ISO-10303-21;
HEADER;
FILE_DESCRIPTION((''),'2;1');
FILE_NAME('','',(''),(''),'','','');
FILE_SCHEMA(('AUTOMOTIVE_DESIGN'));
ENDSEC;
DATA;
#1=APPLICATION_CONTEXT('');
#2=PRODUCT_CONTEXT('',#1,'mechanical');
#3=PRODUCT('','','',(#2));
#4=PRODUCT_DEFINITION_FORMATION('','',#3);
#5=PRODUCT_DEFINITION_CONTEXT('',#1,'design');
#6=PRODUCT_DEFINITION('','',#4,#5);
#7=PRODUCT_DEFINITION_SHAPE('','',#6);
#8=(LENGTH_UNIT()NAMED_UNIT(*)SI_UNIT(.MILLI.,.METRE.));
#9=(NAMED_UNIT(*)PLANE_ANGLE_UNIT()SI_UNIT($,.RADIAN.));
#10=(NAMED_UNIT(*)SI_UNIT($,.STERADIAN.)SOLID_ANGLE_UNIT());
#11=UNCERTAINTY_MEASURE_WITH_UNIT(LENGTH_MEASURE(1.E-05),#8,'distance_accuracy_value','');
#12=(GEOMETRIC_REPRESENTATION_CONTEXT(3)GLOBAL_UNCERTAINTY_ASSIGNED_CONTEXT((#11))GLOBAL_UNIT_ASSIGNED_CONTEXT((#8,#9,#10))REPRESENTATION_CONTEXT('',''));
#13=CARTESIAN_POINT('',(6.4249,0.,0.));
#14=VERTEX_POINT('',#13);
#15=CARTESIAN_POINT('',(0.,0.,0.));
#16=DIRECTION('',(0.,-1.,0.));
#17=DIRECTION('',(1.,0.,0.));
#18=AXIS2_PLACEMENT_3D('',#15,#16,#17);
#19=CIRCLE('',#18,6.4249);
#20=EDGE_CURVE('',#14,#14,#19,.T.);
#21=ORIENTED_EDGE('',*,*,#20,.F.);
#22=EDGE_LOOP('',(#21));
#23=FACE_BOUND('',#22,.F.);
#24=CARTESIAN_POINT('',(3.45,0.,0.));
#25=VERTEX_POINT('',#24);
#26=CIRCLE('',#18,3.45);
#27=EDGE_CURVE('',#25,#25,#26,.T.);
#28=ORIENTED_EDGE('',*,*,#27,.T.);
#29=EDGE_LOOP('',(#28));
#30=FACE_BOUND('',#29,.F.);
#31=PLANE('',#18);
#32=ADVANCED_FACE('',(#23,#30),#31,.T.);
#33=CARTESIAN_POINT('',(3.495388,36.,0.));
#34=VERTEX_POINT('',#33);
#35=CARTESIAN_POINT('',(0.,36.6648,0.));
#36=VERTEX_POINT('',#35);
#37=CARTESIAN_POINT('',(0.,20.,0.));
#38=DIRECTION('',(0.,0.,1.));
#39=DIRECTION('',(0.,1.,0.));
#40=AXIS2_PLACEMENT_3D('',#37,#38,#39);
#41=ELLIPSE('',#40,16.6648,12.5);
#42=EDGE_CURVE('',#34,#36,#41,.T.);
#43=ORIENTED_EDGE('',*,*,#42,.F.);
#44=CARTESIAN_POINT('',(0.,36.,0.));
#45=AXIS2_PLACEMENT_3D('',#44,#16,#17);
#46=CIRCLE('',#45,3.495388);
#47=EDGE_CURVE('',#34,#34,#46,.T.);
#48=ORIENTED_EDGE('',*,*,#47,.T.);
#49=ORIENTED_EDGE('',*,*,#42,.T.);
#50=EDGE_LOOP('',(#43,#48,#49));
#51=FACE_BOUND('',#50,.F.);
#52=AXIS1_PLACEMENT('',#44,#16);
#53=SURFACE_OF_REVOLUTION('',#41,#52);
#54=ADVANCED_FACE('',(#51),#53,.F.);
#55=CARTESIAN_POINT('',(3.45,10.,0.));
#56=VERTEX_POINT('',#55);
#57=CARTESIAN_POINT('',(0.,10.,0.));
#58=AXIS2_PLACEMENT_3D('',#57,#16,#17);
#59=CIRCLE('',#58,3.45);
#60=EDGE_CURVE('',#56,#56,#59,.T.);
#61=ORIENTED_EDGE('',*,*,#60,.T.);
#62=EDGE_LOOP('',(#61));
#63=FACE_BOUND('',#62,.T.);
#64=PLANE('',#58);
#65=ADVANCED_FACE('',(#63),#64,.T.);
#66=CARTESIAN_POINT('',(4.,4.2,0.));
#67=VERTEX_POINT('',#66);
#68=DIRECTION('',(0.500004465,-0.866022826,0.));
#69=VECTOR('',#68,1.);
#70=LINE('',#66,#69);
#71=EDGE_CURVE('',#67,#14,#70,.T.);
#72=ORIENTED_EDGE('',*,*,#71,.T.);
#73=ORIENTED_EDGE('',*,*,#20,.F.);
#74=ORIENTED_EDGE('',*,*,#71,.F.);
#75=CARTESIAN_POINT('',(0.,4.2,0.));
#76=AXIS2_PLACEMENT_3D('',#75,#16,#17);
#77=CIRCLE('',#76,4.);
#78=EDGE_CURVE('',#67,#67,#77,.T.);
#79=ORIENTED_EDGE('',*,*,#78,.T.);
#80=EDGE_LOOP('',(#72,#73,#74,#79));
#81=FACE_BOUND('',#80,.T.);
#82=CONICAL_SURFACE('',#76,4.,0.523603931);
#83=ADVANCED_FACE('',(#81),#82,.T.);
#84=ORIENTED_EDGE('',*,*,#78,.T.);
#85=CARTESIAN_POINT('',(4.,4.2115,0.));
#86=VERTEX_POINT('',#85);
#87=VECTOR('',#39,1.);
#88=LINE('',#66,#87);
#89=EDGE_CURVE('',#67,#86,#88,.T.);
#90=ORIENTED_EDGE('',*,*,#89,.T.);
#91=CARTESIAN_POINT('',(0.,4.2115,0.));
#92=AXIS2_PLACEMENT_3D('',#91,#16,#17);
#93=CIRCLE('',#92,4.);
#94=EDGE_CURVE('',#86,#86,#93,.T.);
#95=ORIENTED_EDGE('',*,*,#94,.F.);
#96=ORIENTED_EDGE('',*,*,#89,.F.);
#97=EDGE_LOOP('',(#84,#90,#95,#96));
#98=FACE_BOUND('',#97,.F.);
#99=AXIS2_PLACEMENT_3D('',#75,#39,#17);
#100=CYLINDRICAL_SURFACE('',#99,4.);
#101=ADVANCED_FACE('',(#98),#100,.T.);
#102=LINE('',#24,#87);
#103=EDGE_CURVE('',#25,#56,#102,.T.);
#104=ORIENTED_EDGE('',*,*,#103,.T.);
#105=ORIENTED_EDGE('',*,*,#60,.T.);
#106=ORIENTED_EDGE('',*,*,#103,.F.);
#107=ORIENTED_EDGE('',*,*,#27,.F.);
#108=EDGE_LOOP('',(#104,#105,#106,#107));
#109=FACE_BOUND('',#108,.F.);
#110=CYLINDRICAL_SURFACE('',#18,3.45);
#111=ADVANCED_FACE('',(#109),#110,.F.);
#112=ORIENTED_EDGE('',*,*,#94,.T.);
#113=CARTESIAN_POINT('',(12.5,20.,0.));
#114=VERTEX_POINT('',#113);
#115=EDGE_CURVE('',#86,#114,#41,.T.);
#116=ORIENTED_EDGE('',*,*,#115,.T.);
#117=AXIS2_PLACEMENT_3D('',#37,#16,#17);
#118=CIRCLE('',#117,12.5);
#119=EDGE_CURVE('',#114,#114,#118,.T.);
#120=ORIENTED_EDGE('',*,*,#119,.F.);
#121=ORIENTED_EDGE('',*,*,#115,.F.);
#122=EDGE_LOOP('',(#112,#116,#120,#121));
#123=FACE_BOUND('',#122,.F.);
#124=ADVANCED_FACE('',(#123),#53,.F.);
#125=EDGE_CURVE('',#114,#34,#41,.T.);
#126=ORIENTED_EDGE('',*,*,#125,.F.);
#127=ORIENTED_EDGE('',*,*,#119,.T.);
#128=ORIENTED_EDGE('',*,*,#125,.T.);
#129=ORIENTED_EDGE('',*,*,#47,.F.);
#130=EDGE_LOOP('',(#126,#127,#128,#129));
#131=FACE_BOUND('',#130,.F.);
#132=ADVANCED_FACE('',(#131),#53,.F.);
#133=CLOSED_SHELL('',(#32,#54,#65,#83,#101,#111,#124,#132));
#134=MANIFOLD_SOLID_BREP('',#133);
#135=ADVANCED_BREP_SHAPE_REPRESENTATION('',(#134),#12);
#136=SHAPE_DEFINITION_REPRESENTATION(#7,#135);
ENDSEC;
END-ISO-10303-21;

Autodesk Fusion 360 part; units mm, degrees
sketch "Sketch1" plane through (0, 0, 0) normal (0, 0, 1) x (1, 0, 0)
  line L0 (0, 0) -> (12.5, 0)
  line L1 (12.5, 0) -> (12.5, 36)
  line L2 (12.5, 36) -> (0, 36)
  line L3 (0, 36) -> (0, 0)
  line L4 (3, 0) -> (3, 36) construction
  line L5 (4, 0) -> (4, 36) construction
  line L6 (0, 4.2) -> (12.5, 4.2) construction
  line L7 (4, 4.2) -> (6.4249, 0)
  line L8 (4, 4.2) -> (8.8497, 4.2) construction
  line L9 (0, 36) -> (0, 0)
  line L10 (0, 36) -> (0, 36.6648)
  ellipse E0 centre (0, 20) end of major axis (12.5, 20) minor radius 16.6648 (0, 3.3352) -> (0, 36.6648) ccw
  line L11 (4, 4.2) -> (4, 4.2115)
  dimension "d1" = 12.5
  dimension "d2" = 36
  dimension "d3" = 3
  dimension "d4" = 4
  dimension "d5" = 4.2
  dimension "d6" = 60
sketch "Sketch2" plane through (0, 0, 0) normal (0, -1, 0) x (1, 0, 0)
  circle A0 centre (0, 0) radius 3.45
  circle A1 centre (0, 0) radius 6.4249
  dimension "d8" = 6.9
revolve "Revolve2" add sketch "Sketch1" angle 360 about axis through (0, 36, 0) along (0, -1, 0) contours L0 L3 L7 L9 E0 L11 | L2 L3 L9 E0 | L2 L10 E0
extrude "Extrude2" cut sketch "Sketch2" against normal blind 10 contours A0
